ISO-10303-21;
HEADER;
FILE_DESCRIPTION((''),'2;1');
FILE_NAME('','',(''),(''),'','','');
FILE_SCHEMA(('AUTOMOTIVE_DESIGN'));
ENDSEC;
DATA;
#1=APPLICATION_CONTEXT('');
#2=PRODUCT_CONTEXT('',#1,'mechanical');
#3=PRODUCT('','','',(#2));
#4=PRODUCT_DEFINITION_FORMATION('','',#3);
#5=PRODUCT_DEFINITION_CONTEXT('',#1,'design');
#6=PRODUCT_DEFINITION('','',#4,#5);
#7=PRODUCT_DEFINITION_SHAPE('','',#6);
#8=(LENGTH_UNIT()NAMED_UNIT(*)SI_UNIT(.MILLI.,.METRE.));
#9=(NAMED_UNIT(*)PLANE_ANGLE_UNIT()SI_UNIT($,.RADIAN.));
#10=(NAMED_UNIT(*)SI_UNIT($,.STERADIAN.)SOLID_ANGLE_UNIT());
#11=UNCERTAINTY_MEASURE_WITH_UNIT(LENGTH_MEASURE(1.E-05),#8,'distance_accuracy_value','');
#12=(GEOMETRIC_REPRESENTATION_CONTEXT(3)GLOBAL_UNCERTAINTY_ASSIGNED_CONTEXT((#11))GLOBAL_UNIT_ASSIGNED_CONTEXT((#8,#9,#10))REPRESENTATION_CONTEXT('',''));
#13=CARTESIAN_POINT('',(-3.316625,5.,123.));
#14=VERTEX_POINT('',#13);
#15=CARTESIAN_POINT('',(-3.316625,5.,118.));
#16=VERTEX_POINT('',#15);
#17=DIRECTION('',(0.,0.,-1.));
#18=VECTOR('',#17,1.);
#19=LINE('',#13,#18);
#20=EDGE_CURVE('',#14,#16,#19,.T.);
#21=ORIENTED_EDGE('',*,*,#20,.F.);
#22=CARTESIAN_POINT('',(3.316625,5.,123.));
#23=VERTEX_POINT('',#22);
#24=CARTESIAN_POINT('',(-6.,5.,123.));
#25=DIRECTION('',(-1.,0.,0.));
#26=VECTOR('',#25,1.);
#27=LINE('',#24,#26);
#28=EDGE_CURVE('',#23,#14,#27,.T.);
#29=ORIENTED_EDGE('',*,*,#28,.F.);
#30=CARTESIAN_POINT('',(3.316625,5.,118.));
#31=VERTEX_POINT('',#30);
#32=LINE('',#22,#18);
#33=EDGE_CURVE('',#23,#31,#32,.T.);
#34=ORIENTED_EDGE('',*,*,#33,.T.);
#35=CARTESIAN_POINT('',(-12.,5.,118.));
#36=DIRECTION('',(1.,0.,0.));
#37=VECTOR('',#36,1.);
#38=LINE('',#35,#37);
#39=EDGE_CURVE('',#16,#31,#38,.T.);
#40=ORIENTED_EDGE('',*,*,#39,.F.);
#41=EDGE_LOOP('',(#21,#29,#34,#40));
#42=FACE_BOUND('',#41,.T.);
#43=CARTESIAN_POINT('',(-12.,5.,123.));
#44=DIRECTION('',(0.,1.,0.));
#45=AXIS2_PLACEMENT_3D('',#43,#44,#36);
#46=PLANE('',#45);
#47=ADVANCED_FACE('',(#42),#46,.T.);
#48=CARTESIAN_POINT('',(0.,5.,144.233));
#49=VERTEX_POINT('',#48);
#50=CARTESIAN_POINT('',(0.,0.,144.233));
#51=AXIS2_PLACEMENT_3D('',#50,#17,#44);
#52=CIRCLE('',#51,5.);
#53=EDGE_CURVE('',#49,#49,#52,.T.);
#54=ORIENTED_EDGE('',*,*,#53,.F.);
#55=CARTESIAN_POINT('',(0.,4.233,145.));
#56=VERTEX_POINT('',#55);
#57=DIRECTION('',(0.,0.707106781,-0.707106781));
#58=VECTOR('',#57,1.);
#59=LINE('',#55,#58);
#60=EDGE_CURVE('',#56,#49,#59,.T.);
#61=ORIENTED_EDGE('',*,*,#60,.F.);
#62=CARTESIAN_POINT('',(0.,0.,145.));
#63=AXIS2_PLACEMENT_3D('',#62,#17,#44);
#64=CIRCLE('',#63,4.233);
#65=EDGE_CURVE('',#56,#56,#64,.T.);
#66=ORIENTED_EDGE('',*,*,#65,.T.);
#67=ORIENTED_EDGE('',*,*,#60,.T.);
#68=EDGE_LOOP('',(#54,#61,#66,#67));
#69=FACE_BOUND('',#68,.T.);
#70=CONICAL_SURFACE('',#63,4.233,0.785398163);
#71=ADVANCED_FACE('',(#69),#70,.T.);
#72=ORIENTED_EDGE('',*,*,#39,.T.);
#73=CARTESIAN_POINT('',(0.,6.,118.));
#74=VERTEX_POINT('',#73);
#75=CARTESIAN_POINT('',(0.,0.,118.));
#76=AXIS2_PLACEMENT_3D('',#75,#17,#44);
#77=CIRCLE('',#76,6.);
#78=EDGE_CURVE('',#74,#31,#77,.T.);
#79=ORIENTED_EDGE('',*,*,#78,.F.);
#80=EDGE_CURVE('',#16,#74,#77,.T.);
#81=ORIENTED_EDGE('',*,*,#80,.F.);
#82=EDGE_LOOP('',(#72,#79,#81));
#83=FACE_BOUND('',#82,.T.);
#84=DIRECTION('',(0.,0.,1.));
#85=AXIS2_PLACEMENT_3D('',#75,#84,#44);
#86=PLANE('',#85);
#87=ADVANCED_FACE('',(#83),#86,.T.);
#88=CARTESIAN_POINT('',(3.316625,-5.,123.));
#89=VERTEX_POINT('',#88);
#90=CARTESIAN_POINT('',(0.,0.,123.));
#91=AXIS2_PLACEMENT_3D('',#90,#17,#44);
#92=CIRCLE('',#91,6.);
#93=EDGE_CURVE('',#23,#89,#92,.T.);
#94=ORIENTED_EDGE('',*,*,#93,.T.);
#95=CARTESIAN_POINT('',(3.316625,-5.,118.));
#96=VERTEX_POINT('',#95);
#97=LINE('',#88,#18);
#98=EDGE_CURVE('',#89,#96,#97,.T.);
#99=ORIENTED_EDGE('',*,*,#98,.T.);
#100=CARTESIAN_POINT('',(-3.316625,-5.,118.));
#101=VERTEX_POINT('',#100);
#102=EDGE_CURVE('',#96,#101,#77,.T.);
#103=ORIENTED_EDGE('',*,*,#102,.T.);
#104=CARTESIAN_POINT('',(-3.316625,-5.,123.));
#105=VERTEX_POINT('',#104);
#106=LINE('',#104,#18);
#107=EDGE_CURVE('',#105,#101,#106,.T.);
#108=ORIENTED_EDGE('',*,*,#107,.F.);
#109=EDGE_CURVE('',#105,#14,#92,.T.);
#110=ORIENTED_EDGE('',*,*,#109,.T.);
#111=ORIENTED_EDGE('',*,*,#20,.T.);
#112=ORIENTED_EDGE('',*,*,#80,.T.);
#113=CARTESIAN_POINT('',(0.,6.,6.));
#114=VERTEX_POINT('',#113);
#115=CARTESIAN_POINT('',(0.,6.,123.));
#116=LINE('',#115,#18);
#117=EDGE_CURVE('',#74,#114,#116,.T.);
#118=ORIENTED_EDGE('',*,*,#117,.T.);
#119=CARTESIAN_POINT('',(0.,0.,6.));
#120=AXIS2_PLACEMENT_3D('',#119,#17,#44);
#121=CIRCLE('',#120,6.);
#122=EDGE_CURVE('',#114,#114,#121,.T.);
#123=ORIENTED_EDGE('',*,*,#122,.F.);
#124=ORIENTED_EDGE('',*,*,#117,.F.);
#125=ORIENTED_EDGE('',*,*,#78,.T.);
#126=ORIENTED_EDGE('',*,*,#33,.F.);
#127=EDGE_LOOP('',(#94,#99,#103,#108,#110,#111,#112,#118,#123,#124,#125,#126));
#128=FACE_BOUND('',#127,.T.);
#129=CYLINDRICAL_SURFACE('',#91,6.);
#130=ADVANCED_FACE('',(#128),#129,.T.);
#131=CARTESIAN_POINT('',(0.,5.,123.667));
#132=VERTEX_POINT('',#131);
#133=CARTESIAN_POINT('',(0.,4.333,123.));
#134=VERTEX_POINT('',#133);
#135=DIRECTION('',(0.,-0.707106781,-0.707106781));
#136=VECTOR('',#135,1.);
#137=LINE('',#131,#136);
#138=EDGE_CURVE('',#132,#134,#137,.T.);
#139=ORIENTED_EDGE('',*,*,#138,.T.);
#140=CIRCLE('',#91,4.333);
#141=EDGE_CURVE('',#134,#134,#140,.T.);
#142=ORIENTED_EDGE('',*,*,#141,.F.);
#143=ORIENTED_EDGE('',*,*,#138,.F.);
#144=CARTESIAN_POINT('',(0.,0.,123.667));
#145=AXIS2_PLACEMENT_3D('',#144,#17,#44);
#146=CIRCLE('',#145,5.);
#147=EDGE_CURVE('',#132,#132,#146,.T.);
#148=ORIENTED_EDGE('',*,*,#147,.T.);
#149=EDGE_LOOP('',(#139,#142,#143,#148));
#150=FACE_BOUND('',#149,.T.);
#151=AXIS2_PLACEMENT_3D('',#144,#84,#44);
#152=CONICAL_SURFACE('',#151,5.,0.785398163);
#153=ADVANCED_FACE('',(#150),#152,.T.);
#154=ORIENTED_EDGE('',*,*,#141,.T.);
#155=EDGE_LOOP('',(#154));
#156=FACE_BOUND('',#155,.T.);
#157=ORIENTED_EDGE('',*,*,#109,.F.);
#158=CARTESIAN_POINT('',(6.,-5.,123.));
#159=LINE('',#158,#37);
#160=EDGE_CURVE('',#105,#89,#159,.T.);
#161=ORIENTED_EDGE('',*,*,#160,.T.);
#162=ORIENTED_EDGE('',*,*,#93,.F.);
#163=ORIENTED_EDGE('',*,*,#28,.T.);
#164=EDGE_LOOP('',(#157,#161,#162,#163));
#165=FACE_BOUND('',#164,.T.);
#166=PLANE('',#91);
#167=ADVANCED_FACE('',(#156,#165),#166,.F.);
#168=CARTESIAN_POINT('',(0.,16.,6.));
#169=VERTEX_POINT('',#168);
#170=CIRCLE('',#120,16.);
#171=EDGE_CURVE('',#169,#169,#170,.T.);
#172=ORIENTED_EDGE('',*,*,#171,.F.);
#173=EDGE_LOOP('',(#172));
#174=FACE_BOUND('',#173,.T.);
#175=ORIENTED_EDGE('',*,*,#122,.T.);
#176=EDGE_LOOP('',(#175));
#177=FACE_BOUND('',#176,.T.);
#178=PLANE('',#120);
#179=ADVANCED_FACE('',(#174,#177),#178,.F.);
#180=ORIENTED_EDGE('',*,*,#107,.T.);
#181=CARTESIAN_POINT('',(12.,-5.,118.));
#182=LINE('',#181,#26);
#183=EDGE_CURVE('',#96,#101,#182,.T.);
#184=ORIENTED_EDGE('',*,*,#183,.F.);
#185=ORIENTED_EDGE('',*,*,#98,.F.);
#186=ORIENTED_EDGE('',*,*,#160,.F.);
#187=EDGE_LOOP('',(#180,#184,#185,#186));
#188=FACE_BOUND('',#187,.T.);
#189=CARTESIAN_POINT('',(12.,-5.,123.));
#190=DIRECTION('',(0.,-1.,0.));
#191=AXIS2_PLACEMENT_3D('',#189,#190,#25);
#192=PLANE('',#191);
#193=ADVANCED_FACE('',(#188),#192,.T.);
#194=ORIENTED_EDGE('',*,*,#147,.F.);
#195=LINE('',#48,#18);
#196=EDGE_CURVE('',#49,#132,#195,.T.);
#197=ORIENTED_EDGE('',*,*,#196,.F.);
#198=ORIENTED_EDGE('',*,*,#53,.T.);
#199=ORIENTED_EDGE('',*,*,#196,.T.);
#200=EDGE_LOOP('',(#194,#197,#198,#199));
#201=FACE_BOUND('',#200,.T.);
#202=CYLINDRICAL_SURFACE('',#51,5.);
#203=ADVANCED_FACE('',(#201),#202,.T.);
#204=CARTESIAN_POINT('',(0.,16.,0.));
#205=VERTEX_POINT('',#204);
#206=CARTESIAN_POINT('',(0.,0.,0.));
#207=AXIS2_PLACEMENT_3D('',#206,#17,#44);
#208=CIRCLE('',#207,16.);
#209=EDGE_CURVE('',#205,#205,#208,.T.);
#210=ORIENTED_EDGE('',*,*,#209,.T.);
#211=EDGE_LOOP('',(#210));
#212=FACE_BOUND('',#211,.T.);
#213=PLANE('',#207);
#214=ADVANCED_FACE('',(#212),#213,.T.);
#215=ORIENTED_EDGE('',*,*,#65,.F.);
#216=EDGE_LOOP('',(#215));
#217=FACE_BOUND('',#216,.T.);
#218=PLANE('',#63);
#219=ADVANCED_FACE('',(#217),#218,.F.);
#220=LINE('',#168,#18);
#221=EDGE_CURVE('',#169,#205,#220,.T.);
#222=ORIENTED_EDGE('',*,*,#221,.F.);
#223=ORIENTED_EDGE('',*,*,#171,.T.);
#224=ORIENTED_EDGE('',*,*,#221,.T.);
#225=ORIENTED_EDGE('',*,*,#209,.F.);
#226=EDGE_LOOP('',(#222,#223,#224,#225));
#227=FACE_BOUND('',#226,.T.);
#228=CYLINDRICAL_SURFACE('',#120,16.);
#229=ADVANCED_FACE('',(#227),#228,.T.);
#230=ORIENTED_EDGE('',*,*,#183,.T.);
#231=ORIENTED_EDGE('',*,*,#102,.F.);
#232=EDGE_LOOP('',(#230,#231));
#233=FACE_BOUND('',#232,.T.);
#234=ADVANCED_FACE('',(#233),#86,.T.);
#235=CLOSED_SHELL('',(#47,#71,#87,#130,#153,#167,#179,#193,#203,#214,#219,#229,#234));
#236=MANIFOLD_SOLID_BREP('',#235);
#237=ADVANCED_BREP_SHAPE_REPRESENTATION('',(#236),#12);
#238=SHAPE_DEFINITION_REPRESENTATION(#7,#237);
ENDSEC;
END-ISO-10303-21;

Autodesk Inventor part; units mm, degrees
sketch "Base_KS" plane through (0, 0, 0) normal (1, 0, 0) x (0, 1, 0)
  line L0 (0, 0) -> (0, 122.9)
  line L1 (0, 122.9) -> (3, 122.9)
  line L2 (3, 122.9) -> (3, 6)
  line L3 (3, 6) -> (16, 6)
  line L4 (16, 6) -> (16, 0)
  line L5 (16, 0) -> (0, 0)
  line L6 (0, 0) -> (0, 122.9)
revolve "Revolution1" add sketch "Base_KS" angle 360 about axis through (0, 0, 0) along (0, 0, -1)
sketch "Skizze_2" plane through (0, 0, 0) normal (1, 0, 0) x (0, 1, 0)
  line L0 (0, 0.1) -> (0, 123)
  line L1 (0, 123) -> (6, 123)
  line L2 (6, 123) -> (6, 0.1)
  line L3 (6, 0.1) -> (0, 0.1)
  line L4 (0, 0.1) -> (0, 123)
revolve "Revolution2" add sketch "Skizze_2" angle 360 about axis through (0, 0, 0.1) along (0, 0, -1)
sketch "Skizze_4" plane through (0, 0, 123) normal (0, 0, 1) x (0, 1, 0)
  line L0 (5, 12) -> (5, -12)
  line L1 (5, -12) -> (12, -12)
  line L2 (12, -12) -> (12, 12)
  line L3 (12, 12) -> (5, 12)
extrude "Extrusion1" cut sketch "Skizze_4" along normal mid plane 10
sketch "Skizze_5" plane through (0, 0, 123) normal (0, 0, 1) x (0, 1, 0)
  line L0 (-12, 12) -> (-12, -12)
  line L1 (-12, -12) -> (-5, -12)
  line L2 (-5, -12) -> (-5, 12)
  line L3 (-5, 12) -> (-12, 12)
extrude "Extrusion2" cut sketch "Skizze_5" along normal mid plane 10
sketch "Skizze_8" plane through (0, 0, 0) normal (1, 0, 0) x (0, 1, 0)
  line L0 (0, 122.9) -> (0, 145)
  line L1 (0, 145) -> (4.233, 145)
  line L2 (4.233, 145) -> (5, 144.233)
  line L3 (5, 144.233) -> (5, 123.667)
  line L4 (5, 123.667) -> (4.233, 122.9)
  line L5 (4.233, 122.9) -> (0, 122.9)
  line L6 (0, 122.9) -> (0, 145)
revolve "Revolution3" add sketch "Skizze_8" angle 360 about axis through (0, 0, 122.9) along (0, 0, -1)
thread "Thread1" size "M10x1.25" class "6g" standard "ISO Metric profile" full length
ref_plane "ANSCHRAUB_XY" through (0, 0, 145) normal (0, 0, 1) x (1, 0, 0)
ref_plane "ANSCHRAUB_YZ" through (0, 0, 145) normal (1, 0, 0) x (0, 1, 0)
ref_plane "ANSCHRAUB_ZX" through (0, 0, 145) normal (0, 1, 0) x (0, 0, 1)
ref_plane "CP_30_XY" through (0, 0, 123) normal (0, 0, 1) x (1, 0, 0)
ref_plane "CP_30_YZ" through (0, 0, 123) normal (1, 0, 0) x (0, 1, 0)
ref_plane "CP_30_ZX" through (0, 0, 123) normal (0, 1, 0) x (0, 0, 1)
ref_plane "KS_AUFSATZ1_XY" through (0, 0, 132) normal (0, 0, 1) x (1, 0, 0)
ref_plane "KS_AUFSATZ1_YZ" through (0, 0, 132) normal (1, 0, 0) x (0, 1, 0)
ref_plane "KS_AUFSATZ1_ZX" through (0, 0, 132) normal (0, 1, 0) x (0, 0, 1)
ref_plane "NUT1_XY" through (0, 0, 132) normal (0, 0, -1) x (1, 0, 0)
ref_plane "NUT1_YZ" through (0, 0, 132) normal (1, 0, 0) x (0, -1, 0)
ref_plane "NUT1_ZX" through (0, 0, 132) normal (0, -1, 0) x (0, 0, -1)
ref_plane "ZYLINDER_XY" through (0, 0, 0) normal (0, 0, 1) x (1, 0, 0)
ref_plane "ZYLINDER_YZ" through (0, 0, 0) normal (1, 0, 0) x (0, 1, 0)
ref_plane "ZYLINDER_ZX" through (0, 0, 0) normal (0, 1, 0) x (0, 0, 1)
properties part number "DNC-32-50---(KS)"
